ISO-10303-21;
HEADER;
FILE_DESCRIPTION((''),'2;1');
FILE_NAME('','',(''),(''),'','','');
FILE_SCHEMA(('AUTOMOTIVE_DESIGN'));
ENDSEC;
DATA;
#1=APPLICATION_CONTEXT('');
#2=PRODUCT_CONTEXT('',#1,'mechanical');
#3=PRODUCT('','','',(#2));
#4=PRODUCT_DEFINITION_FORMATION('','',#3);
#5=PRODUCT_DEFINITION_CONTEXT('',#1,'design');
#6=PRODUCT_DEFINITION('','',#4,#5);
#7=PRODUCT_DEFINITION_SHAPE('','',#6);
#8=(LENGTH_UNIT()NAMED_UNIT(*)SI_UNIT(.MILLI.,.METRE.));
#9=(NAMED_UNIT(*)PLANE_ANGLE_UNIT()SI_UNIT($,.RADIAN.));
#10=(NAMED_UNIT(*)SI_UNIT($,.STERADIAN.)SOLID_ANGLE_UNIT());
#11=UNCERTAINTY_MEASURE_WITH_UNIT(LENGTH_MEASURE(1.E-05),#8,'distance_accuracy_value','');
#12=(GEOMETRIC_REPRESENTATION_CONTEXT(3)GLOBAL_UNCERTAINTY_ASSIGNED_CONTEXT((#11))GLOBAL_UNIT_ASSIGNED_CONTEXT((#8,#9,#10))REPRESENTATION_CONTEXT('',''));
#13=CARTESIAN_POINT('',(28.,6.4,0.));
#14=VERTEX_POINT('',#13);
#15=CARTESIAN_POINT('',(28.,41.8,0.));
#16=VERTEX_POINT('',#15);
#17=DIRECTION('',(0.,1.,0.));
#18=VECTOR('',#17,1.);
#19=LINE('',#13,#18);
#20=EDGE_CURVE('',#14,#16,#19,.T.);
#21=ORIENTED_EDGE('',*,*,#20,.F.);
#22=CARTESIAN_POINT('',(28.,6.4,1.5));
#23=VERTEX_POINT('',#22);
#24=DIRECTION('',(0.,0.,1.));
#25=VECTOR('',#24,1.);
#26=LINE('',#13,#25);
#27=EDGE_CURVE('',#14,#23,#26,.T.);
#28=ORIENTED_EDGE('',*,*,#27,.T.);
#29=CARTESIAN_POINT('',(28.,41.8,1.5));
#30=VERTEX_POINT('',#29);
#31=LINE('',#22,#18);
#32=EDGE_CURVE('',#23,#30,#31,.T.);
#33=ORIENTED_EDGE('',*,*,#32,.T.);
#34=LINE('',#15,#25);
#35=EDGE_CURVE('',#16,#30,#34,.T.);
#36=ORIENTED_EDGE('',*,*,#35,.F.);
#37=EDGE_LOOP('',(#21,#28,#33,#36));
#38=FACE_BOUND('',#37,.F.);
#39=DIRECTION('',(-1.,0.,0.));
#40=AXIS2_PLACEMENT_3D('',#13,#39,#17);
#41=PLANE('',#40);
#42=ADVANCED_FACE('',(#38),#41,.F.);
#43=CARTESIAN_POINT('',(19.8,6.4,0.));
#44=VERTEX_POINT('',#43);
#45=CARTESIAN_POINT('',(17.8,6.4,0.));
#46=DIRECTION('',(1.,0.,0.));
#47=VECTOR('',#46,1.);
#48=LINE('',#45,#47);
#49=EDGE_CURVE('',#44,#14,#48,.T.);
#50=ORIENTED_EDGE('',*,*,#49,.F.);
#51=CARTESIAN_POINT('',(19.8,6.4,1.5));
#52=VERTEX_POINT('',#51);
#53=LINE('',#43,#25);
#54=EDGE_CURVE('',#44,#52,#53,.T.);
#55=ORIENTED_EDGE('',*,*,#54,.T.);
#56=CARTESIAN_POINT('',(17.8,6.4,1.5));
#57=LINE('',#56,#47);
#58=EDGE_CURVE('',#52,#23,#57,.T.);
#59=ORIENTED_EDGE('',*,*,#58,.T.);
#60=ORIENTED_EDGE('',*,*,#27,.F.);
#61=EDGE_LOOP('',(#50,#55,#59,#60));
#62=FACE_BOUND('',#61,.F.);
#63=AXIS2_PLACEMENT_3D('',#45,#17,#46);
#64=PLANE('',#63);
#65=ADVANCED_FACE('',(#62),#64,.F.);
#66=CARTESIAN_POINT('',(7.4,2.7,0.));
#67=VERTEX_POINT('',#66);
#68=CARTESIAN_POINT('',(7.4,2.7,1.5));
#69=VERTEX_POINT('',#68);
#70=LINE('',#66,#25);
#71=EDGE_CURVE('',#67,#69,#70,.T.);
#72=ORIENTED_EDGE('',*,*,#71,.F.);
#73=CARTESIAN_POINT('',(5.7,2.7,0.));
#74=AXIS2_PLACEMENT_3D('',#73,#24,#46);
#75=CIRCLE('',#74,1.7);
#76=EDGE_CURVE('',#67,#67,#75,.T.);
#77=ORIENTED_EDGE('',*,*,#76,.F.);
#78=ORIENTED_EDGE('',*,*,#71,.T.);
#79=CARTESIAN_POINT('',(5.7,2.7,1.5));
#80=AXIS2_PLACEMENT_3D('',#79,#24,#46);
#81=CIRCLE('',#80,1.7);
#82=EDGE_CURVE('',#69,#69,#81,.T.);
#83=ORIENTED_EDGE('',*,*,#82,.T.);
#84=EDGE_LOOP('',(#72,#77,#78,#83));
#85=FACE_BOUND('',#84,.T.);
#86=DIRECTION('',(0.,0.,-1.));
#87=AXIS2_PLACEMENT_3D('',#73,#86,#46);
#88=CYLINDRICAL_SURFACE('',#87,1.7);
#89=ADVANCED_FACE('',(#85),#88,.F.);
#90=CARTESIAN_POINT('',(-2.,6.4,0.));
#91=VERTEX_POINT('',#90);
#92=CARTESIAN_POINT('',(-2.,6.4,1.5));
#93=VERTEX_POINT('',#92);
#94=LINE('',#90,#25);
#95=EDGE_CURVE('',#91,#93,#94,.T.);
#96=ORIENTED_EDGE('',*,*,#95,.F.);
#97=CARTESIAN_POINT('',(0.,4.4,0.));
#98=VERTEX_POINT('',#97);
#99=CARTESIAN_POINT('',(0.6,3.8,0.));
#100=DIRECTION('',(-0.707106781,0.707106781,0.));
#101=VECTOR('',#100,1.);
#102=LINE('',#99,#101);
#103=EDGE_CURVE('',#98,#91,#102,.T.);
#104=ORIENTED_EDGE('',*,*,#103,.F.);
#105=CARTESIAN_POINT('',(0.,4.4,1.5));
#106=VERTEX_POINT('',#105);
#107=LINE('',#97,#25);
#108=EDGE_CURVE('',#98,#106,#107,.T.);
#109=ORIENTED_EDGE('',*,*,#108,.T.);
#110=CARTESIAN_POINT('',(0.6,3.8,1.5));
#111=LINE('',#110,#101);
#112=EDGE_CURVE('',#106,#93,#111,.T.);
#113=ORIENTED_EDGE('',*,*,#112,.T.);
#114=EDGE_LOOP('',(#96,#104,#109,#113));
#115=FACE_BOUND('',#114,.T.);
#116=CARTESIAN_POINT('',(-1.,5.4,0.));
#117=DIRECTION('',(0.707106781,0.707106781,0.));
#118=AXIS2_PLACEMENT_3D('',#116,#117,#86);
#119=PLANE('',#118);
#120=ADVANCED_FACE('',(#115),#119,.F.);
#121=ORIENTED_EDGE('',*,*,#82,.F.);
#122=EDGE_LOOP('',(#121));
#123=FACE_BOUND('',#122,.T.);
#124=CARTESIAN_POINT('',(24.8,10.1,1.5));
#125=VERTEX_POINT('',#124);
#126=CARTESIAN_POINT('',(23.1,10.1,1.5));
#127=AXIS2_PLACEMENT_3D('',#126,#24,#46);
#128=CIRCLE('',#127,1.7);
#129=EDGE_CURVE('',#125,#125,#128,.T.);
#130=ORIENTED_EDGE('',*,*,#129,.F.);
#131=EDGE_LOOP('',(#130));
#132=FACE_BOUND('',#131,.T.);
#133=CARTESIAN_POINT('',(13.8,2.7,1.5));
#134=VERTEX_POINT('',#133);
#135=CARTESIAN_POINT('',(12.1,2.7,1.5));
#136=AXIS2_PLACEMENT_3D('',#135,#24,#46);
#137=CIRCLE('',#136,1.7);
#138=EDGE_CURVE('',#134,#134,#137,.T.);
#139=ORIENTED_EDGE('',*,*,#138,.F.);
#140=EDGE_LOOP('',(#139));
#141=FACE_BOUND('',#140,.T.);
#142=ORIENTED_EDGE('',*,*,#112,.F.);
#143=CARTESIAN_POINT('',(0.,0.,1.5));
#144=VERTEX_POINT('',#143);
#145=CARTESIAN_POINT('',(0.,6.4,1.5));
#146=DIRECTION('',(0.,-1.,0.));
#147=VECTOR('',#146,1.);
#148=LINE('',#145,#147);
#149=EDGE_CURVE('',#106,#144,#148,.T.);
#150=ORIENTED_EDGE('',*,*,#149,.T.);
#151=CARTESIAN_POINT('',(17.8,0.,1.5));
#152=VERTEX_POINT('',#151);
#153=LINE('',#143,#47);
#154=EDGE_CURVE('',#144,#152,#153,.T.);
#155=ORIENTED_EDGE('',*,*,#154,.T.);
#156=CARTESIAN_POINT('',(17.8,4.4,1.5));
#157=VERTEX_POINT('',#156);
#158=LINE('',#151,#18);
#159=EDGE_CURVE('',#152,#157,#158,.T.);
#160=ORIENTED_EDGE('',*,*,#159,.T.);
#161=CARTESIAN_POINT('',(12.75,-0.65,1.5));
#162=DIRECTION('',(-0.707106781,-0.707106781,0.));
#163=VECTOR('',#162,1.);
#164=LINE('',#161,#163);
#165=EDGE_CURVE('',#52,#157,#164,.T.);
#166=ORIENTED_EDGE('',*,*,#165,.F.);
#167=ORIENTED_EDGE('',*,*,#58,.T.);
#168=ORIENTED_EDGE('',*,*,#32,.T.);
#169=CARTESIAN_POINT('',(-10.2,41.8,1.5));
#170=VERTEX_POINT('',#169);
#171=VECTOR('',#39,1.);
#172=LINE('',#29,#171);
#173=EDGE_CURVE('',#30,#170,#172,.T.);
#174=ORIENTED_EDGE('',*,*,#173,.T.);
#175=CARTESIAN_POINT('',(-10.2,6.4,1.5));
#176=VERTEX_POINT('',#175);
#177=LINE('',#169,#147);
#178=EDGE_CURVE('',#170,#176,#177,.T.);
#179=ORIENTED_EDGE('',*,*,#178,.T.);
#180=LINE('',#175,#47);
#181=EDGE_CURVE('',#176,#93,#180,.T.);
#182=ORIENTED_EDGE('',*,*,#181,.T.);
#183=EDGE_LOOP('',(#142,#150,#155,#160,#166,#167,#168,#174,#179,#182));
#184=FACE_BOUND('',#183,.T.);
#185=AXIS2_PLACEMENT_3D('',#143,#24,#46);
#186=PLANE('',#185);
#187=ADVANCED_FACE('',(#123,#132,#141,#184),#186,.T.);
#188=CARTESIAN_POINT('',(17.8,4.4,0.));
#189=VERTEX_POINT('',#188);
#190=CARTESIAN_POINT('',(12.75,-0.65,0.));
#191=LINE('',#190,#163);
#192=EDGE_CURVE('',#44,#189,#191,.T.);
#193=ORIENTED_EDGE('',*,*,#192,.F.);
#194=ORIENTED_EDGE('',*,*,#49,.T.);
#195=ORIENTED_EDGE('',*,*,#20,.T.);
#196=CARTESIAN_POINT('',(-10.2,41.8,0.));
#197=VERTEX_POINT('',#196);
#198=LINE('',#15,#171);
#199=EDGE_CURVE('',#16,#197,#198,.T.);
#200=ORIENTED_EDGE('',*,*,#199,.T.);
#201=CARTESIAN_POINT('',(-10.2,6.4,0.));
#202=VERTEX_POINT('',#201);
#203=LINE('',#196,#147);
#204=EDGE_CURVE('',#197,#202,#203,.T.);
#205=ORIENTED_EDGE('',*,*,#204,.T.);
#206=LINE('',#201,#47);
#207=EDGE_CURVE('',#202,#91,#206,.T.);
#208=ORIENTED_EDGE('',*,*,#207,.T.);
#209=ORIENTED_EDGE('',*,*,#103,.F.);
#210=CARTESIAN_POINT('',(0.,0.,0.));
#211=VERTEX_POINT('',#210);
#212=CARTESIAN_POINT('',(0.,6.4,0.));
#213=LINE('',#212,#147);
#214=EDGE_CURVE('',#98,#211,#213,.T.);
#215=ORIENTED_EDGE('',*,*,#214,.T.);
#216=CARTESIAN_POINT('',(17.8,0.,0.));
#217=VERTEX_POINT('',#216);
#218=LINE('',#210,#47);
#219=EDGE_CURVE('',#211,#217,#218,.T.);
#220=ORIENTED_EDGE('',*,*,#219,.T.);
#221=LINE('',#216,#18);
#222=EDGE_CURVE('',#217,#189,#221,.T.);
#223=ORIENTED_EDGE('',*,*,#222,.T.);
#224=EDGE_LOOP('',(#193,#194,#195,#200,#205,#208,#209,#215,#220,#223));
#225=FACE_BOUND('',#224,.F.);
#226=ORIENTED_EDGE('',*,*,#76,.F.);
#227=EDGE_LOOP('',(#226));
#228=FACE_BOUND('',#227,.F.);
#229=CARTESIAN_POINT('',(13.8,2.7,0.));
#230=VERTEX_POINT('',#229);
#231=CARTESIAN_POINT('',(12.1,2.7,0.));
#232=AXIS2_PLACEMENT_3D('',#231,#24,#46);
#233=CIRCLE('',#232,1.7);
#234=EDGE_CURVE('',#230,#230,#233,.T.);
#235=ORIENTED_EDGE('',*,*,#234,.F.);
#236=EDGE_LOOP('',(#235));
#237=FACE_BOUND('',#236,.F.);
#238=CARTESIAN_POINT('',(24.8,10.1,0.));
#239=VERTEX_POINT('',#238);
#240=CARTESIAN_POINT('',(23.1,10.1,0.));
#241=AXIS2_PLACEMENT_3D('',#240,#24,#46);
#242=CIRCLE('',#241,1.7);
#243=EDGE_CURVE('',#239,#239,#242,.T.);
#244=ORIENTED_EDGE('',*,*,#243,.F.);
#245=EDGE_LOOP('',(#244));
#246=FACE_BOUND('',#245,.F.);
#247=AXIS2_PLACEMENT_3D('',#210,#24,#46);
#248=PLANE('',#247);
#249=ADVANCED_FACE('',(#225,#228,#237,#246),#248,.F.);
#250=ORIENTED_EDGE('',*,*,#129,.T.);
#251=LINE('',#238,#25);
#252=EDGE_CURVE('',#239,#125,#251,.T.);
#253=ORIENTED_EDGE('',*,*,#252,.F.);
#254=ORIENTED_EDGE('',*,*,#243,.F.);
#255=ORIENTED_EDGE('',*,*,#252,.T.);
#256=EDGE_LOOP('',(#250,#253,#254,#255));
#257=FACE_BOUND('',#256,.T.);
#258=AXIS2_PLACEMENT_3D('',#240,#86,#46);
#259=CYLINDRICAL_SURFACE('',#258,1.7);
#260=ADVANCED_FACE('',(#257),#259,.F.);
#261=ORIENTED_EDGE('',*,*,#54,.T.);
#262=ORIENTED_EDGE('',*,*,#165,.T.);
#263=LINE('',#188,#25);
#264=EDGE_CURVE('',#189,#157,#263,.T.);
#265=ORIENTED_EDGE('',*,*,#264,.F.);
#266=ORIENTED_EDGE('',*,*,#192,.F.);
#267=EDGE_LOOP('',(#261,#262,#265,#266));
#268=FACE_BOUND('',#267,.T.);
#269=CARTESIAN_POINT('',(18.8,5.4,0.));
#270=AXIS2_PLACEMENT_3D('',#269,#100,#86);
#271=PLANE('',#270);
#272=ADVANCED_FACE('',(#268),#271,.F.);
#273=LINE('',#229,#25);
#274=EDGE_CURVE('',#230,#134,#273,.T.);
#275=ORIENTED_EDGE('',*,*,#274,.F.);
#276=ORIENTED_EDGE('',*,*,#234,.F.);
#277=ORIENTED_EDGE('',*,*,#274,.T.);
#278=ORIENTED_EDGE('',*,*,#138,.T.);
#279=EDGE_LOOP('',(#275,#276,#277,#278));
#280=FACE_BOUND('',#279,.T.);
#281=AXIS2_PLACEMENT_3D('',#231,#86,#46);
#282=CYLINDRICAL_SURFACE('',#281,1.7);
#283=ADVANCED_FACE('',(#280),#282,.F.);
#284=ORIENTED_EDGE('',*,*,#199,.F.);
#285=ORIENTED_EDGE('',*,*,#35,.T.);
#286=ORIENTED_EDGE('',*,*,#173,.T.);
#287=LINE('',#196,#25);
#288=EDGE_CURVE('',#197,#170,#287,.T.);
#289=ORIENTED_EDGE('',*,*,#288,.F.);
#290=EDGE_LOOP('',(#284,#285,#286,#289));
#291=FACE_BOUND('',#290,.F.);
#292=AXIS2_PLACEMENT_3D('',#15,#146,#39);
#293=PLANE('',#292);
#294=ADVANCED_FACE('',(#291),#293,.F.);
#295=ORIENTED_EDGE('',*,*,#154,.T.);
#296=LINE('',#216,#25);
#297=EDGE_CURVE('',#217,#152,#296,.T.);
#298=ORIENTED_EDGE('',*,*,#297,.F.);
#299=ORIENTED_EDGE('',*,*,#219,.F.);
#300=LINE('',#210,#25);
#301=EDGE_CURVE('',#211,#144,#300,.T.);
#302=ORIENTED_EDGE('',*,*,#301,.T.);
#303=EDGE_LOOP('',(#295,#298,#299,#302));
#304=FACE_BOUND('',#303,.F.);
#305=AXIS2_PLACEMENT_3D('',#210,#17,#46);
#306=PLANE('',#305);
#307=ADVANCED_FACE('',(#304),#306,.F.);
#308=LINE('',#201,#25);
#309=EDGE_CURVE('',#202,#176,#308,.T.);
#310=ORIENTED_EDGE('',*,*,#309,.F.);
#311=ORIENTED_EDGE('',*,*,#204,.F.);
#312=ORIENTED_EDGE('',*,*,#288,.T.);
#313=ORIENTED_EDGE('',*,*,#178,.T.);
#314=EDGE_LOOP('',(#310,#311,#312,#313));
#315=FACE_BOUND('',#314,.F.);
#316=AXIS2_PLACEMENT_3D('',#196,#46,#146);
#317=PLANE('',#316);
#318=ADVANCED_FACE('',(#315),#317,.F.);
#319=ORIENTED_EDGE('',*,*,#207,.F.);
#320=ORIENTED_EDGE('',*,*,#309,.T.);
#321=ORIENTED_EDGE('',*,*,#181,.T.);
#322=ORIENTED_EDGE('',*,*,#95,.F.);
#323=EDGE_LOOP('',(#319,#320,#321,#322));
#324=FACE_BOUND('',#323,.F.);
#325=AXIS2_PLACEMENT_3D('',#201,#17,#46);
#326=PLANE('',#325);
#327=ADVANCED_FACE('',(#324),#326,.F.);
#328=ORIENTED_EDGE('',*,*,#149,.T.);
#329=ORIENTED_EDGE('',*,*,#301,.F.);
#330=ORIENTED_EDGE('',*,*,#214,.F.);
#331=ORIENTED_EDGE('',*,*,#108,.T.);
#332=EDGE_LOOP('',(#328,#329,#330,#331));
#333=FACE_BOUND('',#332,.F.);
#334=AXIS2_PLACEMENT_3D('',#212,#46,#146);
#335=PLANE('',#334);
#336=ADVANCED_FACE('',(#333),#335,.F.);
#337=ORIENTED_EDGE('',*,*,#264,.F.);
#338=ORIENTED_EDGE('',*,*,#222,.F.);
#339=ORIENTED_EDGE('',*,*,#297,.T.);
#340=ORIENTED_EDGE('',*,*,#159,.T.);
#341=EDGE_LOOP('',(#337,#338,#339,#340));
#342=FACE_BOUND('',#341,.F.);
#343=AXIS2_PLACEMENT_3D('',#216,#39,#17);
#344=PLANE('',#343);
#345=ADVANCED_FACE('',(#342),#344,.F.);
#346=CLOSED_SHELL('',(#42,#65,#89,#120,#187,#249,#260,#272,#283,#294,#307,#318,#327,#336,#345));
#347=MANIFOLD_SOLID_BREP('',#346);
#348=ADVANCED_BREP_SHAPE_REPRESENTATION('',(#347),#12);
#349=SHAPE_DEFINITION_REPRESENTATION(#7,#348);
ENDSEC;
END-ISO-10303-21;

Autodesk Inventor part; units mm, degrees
ref_plane "YZ Plane" through (0, 0, 0) normal (1, 0, 0) x (0, 1, 0)
ref_plane "XZ Plane" through (0, 0, 0) normal (0, 1, 0) x (-1, 0, 0)
ref_plane "XY Plane" through (0, 0, 0) normal (0, 0, 1) x (1, 0, 0)
sketch "スケッチ1" plane through (0, 0, 0) normal (0, 0, 1) x (1, 0, 0)
  line L0 (0, 0) -> (17.8, 0)
  line L1 (17.8, 0) -> (17.8, 6.4)
  line L2 (17.8, 6.4) -> (28, 6.4)
  line L3 (28, 6.4) -> (28, 41.8)
  line L4 (28, 41.8) -> (-10.2, 41.8)
  line L5 (-10.2, 41.8) -> (-10.2, 6.4)
  line L6 (-10.2, 6.4) -> (0, 6.4)
  line L7 (0, 6.4) -> (0, 0)
  line L8 (0, 2.7) -> (17.8, 2.7) construction
  circle A0 centre (5.7, 2.7) radius 1.7
  circle A1 centre (12.1, 2.7) radius 1.7
  circle A2 centre (23.1, 10.1) radius 1.7
  dimension "d0" = 3.4
  dimension "d1" = 17.8
  dimension "d2" = 6.4
  dimension "d3" = 5.7
  dimension "d4" = 2.7
  dimension "d5" = 6.4
  dimension "d6" = 35.4
  dimension "d7" = 38.2
  dimension "d8" = 10.2
  dimension "d9" = 4.9
  dimension "d10" = 3.7
extrude "押し出し1" add sketch "スケッチ1" along normal blind 1.5
chamfer "面取り1" distance 2 angle 45 2 edges at (17.8, 6.4, 0.75) (0, 6.4, 0.75)
properties part number "pixy"
